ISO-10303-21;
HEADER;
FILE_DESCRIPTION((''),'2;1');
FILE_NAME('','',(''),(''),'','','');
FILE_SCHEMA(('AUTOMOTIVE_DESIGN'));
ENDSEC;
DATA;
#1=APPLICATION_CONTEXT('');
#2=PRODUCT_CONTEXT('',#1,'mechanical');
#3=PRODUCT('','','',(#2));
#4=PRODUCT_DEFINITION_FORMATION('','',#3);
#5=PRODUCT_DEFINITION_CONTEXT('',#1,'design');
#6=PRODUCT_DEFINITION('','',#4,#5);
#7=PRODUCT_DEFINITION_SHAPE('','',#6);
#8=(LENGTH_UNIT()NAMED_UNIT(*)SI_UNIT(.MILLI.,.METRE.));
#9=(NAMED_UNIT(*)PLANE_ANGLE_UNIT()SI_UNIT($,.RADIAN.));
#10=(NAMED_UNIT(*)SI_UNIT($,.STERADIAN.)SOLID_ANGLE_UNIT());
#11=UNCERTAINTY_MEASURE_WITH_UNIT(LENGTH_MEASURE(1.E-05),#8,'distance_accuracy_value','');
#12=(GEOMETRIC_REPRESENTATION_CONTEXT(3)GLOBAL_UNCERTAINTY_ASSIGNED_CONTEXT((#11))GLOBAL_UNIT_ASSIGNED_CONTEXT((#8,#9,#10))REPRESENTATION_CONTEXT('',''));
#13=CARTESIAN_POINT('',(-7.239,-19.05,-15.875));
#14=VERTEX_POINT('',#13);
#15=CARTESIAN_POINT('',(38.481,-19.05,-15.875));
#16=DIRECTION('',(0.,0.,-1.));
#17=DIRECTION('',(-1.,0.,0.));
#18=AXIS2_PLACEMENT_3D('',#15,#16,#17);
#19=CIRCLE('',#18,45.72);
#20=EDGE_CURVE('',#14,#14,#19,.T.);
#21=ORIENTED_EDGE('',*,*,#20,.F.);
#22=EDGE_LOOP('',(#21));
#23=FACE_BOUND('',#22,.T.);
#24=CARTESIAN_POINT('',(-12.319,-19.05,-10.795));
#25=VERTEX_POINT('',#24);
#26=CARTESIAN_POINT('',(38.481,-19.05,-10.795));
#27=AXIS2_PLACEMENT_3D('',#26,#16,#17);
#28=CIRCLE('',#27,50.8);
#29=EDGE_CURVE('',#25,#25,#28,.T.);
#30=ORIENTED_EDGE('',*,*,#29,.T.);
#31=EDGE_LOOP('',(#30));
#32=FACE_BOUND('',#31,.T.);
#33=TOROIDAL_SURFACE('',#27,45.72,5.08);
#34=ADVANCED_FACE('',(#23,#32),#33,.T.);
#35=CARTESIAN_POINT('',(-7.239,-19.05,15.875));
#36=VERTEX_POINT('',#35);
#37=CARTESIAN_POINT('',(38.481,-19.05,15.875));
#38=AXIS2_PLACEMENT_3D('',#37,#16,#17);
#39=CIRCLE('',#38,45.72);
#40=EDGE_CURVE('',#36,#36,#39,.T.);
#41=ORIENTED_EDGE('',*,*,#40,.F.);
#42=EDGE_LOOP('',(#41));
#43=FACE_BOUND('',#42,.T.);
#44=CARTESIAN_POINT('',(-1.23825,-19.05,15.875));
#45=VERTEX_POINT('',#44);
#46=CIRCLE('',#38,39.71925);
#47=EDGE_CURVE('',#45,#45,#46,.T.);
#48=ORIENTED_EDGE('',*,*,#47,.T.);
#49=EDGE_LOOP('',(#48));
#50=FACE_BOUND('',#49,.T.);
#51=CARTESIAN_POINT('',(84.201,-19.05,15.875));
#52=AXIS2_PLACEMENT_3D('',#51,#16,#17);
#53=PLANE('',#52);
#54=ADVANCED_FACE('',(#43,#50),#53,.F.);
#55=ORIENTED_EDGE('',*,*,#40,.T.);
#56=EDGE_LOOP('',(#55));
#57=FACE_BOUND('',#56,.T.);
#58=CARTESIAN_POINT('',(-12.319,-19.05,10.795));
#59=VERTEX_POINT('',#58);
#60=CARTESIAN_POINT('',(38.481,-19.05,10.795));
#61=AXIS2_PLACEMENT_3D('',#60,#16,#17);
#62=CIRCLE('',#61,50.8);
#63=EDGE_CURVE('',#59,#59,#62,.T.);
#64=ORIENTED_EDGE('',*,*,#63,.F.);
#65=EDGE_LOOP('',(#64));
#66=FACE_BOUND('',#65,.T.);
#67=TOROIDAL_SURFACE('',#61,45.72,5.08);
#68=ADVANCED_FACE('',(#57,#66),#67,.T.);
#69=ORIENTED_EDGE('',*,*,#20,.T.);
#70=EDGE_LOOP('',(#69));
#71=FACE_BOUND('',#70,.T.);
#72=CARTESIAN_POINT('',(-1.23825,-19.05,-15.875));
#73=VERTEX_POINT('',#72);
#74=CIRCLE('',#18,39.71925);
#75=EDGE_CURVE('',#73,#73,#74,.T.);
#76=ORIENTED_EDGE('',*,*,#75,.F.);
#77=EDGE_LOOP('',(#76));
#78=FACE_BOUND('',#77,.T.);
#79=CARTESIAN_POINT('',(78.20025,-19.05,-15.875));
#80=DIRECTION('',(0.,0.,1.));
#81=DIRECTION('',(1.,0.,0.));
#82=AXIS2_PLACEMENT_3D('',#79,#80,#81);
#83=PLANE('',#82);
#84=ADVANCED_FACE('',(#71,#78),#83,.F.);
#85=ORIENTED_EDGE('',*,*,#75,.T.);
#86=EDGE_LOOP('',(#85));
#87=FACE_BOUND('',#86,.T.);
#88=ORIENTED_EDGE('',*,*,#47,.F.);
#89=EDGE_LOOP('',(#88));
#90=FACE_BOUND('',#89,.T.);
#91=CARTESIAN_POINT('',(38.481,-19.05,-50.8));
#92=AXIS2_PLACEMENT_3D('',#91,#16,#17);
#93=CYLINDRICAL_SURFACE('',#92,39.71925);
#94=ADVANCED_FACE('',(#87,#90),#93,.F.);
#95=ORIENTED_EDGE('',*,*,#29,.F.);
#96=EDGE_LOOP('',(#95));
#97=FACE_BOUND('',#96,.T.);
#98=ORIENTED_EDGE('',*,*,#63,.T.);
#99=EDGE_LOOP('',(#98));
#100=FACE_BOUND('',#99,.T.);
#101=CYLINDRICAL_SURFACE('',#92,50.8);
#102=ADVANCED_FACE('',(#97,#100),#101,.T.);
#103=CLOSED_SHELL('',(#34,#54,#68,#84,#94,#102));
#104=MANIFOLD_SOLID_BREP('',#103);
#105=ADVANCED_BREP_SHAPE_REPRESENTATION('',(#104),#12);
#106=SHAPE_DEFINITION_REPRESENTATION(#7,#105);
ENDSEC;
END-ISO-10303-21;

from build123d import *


with BuildPart() as part:
    # Sk_tread_section → Rev_tread (revolve)
    with BuildSketch(Plane(origin=(0, -19.05, 0), x_dir=(1, 0, 0), z_dir=(0, 1, 0)), mode=Mode.PRIVATE) as rev_tread_sk:
        with BuildLine():
            Line((78.20025, 15.875), (84.201, 15.875))
            ThreePointArc((84.201, 15.875), (87.793102448, 14.387102448), (89.281, 10.795))
            Line((89.281, 10.795), (89.281, -10.795))
            ThreePointArc((89.281, -10.795), (87.793102448, -14.387102448), (84.201, -15.875))
            Line((84.201, -15.875), (78.20025, -15.875))
            Line((78.20025, -15.875), (78.20025, 15.875))
        make_face()
    revolve(rev_tread_sk.sketch.rotate(Axis((38.481, -19.05, -50.8), (0, 0, 1)), 180), axis=Axis((38.481, -19.05, -50.8), (0, 0, 1)))


solid = part.part
